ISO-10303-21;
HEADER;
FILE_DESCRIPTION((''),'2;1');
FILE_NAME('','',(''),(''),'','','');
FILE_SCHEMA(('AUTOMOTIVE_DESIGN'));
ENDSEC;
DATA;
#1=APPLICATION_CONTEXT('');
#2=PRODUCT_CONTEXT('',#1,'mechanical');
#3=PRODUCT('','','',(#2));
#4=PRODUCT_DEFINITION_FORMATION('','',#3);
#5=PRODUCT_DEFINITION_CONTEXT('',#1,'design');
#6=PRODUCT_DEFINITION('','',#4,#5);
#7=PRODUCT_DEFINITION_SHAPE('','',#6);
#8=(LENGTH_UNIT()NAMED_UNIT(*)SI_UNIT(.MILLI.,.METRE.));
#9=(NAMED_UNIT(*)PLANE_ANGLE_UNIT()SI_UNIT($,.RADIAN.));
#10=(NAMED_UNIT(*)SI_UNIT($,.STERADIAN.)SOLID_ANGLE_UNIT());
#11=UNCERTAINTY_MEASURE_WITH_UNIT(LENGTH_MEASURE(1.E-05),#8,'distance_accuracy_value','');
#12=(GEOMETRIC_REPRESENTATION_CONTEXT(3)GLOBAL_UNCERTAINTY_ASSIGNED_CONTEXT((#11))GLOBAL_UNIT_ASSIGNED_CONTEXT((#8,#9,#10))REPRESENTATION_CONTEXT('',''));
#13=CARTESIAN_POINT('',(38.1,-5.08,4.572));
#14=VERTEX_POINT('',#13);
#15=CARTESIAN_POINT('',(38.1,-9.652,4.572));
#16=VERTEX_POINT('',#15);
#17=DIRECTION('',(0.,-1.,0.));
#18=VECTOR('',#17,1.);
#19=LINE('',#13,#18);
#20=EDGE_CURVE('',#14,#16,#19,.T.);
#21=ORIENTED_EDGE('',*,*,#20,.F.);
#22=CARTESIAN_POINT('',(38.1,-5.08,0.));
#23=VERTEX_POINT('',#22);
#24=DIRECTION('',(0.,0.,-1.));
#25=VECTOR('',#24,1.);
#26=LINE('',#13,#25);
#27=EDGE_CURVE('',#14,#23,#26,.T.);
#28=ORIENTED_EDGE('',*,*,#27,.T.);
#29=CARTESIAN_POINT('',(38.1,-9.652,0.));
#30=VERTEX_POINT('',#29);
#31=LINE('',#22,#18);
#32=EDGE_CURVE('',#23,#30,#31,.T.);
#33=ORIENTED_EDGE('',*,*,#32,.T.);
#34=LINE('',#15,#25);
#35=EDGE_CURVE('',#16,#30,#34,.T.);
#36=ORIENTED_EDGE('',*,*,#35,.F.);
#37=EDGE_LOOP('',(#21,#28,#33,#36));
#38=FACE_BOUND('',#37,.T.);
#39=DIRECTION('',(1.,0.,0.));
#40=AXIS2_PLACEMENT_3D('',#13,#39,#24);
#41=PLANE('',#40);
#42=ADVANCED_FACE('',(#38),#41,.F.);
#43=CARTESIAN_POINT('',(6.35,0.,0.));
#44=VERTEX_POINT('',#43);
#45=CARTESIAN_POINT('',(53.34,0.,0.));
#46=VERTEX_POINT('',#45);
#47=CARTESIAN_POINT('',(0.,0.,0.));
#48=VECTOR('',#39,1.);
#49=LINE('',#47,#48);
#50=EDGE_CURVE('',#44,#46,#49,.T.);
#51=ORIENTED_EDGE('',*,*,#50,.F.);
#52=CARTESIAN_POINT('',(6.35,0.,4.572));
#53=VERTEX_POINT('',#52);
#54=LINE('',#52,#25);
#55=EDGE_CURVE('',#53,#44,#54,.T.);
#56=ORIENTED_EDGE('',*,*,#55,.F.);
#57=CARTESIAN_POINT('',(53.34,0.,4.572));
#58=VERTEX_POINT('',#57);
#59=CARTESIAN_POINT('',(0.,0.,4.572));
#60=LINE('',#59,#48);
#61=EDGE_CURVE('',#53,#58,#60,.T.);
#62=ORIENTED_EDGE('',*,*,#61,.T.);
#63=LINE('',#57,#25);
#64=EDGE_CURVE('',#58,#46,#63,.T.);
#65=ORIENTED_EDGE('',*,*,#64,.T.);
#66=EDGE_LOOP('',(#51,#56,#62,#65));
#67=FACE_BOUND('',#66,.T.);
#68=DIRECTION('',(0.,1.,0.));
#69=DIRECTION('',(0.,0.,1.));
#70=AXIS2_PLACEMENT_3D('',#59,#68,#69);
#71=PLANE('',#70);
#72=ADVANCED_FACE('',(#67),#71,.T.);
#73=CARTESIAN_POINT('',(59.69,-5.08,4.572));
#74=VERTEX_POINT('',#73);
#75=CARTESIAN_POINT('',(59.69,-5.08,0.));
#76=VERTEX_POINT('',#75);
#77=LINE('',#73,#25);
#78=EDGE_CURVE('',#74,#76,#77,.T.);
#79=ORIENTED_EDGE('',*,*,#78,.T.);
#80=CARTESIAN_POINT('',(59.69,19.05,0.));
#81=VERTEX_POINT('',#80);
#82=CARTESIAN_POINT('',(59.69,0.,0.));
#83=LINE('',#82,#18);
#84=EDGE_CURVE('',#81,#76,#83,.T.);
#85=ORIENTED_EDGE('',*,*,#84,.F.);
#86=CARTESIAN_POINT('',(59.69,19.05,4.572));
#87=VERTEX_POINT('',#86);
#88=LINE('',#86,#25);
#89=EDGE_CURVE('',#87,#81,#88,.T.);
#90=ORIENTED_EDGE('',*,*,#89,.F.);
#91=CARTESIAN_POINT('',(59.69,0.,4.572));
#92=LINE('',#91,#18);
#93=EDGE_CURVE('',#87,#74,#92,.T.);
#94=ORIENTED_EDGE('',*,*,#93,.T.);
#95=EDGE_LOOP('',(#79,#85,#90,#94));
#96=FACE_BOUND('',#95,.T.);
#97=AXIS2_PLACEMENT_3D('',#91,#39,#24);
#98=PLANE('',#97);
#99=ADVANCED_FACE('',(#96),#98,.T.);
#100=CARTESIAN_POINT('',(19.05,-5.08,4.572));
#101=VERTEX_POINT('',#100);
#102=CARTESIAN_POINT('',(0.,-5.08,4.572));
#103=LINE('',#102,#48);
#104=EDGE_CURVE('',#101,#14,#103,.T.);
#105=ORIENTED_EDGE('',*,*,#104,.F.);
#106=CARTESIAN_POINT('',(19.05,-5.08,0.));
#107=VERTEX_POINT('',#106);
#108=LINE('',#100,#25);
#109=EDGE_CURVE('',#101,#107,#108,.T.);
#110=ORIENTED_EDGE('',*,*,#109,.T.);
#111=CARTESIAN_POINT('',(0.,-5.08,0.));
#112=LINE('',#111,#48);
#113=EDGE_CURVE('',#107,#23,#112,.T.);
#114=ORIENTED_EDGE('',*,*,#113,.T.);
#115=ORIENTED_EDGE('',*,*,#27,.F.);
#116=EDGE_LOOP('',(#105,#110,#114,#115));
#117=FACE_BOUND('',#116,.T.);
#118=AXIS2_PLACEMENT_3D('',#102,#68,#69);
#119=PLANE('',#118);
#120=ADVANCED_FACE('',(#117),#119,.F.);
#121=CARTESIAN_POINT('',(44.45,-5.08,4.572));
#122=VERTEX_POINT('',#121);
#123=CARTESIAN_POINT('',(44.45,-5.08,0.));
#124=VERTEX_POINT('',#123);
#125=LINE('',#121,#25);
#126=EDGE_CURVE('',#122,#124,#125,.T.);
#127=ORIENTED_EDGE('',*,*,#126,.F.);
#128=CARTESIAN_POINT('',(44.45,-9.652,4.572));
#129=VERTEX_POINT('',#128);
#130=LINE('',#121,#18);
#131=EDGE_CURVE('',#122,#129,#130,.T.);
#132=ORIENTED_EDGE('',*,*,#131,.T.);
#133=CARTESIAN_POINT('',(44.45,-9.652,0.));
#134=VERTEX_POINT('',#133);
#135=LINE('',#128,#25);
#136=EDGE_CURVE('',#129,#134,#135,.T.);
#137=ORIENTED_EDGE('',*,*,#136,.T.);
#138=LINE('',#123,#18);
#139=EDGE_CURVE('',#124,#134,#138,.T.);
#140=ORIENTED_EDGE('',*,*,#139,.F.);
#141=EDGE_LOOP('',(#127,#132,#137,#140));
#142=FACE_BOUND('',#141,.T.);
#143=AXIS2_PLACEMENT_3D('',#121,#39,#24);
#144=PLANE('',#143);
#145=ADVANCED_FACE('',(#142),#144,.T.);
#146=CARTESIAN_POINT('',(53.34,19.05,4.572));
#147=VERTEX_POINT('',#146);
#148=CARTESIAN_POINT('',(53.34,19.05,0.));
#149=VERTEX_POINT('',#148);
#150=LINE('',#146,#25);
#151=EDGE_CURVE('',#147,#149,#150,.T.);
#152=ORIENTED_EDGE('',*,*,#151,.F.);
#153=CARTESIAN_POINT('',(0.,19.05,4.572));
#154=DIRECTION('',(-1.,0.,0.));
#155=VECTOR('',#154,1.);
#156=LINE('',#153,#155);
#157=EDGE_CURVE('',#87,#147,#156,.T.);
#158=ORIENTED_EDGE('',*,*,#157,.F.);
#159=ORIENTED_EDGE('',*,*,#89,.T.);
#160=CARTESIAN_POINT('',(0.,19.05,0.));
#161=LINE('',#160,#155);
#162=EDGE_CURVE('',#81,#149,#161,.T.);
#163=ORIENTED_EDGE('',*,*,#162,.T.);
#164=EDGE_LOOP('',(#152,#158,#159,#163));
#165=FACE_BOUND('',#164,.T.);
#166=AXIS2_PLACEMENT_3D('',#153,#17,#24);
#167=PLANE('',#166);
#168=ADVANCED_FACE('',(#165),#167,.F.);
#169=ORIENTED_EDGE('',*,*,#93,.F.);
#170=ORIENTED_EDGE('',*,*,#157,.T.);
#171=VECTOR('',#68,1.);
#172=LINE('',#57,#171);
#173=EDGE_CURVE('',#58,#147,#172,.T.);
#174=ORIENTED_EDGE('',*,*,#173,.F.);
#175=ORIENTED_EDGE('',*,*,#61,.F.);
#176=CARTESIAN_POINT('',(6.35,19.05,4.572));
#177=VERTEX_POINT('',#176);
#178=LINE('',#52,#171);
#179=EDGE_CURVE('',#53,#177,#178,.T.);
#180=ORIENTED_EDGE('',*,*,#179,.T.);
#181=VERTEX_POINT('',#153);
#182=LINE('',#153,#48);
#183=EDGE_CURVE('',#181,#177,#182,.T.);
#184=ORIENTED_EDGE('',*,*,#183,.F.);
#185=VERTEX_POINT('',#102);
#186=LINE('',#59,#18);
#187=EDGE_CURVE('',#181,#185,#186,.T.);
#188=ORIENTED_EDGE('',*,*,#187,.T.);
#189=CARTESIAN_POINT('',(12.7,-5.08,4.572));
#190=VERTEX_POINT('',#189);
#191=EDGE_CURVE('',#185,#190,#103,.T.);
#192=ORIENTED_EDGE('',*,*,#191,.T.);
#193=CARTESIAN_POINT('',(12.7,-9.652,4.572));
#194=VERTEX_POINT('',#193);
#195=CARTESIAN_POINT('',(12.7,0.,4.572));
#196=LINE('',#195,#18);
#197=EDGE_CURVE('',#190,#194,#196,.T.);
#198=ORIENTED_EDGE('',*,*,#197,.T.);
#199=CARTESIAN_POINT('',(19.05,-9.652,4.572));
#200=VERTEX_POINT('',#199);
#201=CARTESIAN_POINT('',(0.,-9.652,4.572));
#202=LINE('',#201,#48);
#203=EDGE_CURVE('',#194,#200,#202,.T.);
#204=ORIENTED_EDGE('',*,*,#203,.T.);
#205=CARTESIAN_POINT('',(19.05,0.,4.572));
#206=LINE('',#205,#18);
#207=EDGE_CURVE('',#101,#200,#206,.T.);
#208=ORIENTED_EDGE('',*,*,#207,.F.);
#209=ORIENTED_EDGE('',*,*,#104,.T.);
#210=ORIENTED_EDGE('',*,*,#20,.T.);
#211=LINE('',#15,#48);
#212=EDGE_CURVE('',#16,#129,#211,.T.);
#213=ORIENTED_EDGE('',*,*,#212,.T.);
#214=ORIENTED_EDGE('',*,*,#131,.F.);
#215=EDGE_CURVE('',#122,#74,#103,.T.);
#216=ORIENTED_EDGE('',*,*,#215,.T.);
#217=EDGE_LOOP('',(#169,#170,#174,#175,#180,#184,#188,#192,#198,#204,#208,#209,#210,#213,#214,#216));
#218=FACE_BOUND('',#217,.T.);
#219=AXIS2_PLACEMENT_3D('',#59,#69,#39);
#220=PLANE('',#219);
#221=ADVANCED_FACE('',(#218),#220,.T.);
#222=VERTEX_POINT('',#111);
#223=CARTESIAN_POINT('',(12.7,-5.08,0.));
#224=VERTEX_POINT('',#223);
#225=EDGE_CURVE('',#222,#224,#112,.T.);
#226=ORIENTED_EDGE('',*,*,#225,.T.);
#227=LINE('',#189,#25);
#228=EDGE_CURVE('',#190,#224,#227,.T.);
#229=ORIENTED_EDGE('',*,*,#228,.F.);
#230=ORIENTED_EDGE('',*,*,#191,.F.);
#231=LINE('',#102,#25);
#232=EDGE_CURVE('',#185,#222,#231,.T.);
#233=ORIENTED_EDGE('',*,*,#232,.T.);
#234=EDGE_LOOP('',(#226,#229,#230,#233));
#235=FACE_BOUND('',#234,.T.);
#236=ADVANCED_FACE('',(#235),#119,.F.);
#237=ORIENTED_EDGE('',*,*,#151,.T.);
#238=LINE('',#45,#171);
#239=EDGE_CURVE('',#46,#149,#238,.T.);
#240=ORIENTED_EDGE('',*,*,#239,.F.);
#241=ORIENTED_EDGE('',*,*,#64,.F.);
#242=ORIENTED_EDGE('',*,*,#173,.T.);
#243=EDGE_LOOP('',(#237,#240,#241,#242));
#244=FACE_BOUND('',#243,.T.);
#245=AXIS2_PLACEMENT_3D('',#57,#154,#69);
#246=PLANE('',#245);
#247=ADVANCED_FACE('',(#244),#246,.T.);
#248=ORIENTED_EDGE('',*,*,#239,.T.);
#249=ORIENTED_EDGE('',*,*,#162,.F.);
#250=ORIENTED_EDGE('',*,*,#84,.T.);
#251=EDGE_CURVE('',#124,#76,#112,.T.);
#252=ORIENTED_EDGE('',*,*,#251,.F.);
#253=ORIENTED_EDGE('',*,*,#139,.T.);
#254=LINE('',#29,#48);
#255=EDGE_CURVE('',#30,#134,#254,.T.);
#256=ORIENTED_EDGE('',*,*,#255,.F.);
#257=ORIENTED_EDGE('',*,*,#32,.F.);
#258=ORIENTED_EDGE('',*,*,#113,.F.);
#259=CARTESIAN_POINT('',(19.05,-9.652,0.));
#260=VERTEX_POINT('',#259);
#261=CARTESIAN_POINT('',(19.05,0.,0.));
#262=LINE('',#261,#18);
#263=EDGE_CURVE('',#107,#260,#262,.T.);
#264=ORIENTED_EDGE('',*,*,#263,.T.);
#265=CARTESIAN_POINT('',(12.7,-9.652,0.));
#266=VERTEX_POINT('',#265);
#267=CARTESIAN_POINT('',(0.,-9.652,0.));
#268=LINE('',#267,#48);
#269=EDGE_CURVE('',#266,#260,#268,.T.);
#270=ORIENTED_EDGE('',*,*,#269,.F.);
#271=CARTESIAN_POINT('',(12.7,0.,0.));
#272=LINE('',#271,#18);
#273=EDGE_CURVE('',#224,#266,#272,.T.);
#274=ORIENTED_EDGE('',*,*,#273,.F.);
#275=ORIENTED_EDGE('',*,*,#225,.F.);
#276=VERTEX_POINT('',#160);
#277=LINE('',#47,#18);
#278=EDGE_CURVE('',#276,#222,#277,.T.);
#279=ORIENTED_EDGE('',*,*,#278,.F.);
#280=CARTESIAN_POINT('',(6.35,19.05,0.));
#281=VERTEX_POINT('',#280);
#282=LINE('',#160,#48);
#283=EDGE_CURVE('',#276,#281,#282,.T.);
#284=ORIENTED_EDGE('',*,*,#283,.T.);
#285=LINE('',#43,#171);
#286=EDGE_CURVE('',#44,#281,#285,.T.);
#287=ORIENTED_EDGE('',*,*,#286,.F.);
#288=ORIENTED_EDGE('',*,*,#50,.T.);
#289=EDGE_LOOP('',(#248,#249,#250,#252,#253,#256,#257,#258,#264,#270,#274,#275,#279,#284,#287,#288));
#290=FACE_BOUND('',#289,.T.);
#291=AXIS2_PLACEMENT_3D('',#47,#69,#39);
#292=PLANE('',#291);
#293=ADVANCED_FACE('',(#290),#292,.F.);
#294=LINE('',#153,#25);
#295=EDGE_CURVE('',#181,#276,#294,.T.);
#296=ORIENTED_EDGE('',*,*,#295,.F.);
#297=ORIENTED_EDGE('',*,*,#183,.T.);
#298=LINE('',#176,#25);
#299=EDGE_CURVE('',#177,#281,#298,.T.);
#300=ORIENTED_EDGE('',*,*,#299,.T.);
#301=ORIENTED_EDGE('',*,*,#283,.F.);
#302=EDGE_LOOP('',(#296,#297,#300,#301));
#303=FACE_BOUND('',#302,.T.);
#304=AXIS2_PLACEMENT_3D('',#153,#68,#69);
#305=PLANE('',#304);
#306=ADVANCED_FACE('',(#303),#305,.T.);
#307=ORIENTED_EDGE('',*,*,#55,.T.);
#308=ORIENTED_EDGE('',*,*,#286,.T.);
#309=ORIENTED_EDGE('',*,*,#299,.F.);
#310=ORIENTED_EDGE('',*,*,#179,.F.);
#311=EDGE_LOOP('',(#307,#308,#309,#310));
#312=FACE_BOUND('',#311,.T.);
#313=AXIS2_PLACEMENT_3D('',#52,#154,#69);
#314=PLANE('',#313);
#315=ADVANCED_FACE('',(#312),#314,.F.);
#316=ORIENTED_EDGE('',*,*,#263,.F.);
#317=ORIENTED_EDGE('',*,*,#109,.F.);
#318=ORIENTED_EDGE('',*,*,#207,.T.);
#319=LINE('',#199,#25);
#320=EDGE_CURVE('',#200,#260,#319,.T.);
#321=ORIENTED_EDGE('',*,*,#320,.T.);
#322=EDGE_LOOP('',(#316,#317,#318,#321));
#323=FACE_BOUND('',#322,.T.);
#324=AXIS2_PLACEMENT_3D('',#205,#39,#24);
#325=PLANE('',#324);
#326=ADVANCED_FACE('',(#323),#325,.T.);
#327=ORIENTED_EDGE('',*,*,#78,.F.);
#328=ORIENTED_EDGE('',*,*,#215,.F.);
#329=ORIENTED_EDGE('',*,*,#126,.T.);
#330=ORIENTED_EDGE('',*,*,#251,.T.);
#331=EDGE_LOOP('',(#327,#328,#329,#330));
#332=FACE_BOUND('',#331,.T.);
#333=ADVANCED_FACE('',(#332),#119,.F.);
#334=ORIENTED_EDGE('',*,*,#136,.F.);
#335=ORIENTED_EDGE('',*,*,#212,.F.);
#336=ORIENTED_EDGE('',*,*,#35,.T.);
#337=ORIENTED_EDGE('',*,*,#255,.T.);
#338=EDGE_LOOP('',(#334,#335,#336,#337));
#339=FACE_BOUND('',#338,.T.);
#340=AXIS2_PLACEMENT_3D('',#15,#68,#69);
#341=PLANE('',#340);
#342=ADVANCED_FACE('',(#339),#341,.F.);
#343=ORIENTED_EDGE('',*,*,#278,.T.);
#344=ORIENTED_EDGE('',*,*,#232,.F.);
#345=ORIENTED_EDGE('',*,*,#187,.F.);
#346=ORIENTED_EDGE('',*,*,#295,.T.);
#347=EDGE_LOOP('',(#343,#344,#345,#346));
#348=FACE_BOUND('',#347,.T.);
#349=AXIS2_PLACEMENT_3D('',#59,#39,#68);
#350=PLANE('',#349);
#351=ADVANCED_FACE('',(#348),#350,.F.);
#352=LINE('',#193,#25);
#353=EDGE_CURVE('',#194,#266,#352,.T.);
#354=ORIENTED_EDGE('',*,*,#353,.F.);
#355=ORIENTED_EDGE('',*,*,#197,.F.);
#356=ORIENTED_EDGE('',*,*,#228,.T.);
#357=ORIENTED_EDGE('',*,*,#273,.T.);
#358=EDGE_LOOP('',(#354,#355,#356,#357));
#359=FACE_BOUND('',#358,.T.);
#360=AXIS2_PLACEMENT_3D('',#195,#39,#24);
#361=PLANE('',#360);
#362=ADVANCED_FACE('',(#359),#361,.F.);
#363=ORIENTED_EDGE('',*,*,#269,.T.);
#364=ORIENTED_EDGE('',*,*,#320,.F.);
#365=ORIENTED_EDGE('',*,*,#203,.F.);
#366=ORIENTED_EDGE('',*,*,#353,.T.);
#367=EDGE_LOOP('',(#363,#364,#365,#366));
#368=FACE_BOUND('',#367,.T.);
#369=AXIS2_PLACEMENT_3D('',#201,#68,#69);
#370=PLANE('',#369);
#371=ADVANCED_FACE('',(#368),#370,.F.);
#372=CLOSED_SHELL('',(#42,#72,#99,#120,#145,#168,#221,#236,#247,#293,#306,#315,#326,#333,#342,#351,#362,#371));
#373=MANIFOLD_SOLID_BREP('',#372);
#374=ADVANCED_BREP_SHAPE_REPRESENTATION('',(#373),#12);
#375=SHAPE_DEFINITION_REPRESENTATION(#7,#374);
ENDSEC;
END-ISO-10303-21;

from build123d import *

# Parameters (mm, degrees)
SKETCH1_W           = 6.35
SKETCH1_H           = 19.05
SKETCH1_H_2         = 4.572
BOSS_EXTRUDE1_DEPTH = 4.572


with BuildPart() as part:
    # Sketch1 → Boss-Extrude1 (new body)
    with BuildSketch(Plane.XY):
        Polygon((19.05, -5.08), (29.845, -5.08), (29.845, 0), (6.35, 0), (0, 0), (0, -5.08), (12.7, -5.08), align=None)
        with Locations((3.175, 9.525)):
            Rectangle(SKETCH1_W, SKETCH1_H)
        with Locations((15.875, -7.366)):
            Rectangle(SKETCH1_W, SKETCH1_H_2)
        Polygon((29.845, 0), (29.845, -5.08), (38.1, -5.08), (44.45, -5.08), (59.69, -5.08), (59.69, 0), (53.34, 0), align=None)
        with Locations((56.515, 9.525)):
            Rectangle(SKETCH1_W, SKETCH1_H)
        with Locations((41.275, -7.366)):
            Rectangle(SKETCH1_W, SKETCH1_H_2)
    extrude(amount=BOSS_EXTRUDE1_DEPTH)


solid = part.part
